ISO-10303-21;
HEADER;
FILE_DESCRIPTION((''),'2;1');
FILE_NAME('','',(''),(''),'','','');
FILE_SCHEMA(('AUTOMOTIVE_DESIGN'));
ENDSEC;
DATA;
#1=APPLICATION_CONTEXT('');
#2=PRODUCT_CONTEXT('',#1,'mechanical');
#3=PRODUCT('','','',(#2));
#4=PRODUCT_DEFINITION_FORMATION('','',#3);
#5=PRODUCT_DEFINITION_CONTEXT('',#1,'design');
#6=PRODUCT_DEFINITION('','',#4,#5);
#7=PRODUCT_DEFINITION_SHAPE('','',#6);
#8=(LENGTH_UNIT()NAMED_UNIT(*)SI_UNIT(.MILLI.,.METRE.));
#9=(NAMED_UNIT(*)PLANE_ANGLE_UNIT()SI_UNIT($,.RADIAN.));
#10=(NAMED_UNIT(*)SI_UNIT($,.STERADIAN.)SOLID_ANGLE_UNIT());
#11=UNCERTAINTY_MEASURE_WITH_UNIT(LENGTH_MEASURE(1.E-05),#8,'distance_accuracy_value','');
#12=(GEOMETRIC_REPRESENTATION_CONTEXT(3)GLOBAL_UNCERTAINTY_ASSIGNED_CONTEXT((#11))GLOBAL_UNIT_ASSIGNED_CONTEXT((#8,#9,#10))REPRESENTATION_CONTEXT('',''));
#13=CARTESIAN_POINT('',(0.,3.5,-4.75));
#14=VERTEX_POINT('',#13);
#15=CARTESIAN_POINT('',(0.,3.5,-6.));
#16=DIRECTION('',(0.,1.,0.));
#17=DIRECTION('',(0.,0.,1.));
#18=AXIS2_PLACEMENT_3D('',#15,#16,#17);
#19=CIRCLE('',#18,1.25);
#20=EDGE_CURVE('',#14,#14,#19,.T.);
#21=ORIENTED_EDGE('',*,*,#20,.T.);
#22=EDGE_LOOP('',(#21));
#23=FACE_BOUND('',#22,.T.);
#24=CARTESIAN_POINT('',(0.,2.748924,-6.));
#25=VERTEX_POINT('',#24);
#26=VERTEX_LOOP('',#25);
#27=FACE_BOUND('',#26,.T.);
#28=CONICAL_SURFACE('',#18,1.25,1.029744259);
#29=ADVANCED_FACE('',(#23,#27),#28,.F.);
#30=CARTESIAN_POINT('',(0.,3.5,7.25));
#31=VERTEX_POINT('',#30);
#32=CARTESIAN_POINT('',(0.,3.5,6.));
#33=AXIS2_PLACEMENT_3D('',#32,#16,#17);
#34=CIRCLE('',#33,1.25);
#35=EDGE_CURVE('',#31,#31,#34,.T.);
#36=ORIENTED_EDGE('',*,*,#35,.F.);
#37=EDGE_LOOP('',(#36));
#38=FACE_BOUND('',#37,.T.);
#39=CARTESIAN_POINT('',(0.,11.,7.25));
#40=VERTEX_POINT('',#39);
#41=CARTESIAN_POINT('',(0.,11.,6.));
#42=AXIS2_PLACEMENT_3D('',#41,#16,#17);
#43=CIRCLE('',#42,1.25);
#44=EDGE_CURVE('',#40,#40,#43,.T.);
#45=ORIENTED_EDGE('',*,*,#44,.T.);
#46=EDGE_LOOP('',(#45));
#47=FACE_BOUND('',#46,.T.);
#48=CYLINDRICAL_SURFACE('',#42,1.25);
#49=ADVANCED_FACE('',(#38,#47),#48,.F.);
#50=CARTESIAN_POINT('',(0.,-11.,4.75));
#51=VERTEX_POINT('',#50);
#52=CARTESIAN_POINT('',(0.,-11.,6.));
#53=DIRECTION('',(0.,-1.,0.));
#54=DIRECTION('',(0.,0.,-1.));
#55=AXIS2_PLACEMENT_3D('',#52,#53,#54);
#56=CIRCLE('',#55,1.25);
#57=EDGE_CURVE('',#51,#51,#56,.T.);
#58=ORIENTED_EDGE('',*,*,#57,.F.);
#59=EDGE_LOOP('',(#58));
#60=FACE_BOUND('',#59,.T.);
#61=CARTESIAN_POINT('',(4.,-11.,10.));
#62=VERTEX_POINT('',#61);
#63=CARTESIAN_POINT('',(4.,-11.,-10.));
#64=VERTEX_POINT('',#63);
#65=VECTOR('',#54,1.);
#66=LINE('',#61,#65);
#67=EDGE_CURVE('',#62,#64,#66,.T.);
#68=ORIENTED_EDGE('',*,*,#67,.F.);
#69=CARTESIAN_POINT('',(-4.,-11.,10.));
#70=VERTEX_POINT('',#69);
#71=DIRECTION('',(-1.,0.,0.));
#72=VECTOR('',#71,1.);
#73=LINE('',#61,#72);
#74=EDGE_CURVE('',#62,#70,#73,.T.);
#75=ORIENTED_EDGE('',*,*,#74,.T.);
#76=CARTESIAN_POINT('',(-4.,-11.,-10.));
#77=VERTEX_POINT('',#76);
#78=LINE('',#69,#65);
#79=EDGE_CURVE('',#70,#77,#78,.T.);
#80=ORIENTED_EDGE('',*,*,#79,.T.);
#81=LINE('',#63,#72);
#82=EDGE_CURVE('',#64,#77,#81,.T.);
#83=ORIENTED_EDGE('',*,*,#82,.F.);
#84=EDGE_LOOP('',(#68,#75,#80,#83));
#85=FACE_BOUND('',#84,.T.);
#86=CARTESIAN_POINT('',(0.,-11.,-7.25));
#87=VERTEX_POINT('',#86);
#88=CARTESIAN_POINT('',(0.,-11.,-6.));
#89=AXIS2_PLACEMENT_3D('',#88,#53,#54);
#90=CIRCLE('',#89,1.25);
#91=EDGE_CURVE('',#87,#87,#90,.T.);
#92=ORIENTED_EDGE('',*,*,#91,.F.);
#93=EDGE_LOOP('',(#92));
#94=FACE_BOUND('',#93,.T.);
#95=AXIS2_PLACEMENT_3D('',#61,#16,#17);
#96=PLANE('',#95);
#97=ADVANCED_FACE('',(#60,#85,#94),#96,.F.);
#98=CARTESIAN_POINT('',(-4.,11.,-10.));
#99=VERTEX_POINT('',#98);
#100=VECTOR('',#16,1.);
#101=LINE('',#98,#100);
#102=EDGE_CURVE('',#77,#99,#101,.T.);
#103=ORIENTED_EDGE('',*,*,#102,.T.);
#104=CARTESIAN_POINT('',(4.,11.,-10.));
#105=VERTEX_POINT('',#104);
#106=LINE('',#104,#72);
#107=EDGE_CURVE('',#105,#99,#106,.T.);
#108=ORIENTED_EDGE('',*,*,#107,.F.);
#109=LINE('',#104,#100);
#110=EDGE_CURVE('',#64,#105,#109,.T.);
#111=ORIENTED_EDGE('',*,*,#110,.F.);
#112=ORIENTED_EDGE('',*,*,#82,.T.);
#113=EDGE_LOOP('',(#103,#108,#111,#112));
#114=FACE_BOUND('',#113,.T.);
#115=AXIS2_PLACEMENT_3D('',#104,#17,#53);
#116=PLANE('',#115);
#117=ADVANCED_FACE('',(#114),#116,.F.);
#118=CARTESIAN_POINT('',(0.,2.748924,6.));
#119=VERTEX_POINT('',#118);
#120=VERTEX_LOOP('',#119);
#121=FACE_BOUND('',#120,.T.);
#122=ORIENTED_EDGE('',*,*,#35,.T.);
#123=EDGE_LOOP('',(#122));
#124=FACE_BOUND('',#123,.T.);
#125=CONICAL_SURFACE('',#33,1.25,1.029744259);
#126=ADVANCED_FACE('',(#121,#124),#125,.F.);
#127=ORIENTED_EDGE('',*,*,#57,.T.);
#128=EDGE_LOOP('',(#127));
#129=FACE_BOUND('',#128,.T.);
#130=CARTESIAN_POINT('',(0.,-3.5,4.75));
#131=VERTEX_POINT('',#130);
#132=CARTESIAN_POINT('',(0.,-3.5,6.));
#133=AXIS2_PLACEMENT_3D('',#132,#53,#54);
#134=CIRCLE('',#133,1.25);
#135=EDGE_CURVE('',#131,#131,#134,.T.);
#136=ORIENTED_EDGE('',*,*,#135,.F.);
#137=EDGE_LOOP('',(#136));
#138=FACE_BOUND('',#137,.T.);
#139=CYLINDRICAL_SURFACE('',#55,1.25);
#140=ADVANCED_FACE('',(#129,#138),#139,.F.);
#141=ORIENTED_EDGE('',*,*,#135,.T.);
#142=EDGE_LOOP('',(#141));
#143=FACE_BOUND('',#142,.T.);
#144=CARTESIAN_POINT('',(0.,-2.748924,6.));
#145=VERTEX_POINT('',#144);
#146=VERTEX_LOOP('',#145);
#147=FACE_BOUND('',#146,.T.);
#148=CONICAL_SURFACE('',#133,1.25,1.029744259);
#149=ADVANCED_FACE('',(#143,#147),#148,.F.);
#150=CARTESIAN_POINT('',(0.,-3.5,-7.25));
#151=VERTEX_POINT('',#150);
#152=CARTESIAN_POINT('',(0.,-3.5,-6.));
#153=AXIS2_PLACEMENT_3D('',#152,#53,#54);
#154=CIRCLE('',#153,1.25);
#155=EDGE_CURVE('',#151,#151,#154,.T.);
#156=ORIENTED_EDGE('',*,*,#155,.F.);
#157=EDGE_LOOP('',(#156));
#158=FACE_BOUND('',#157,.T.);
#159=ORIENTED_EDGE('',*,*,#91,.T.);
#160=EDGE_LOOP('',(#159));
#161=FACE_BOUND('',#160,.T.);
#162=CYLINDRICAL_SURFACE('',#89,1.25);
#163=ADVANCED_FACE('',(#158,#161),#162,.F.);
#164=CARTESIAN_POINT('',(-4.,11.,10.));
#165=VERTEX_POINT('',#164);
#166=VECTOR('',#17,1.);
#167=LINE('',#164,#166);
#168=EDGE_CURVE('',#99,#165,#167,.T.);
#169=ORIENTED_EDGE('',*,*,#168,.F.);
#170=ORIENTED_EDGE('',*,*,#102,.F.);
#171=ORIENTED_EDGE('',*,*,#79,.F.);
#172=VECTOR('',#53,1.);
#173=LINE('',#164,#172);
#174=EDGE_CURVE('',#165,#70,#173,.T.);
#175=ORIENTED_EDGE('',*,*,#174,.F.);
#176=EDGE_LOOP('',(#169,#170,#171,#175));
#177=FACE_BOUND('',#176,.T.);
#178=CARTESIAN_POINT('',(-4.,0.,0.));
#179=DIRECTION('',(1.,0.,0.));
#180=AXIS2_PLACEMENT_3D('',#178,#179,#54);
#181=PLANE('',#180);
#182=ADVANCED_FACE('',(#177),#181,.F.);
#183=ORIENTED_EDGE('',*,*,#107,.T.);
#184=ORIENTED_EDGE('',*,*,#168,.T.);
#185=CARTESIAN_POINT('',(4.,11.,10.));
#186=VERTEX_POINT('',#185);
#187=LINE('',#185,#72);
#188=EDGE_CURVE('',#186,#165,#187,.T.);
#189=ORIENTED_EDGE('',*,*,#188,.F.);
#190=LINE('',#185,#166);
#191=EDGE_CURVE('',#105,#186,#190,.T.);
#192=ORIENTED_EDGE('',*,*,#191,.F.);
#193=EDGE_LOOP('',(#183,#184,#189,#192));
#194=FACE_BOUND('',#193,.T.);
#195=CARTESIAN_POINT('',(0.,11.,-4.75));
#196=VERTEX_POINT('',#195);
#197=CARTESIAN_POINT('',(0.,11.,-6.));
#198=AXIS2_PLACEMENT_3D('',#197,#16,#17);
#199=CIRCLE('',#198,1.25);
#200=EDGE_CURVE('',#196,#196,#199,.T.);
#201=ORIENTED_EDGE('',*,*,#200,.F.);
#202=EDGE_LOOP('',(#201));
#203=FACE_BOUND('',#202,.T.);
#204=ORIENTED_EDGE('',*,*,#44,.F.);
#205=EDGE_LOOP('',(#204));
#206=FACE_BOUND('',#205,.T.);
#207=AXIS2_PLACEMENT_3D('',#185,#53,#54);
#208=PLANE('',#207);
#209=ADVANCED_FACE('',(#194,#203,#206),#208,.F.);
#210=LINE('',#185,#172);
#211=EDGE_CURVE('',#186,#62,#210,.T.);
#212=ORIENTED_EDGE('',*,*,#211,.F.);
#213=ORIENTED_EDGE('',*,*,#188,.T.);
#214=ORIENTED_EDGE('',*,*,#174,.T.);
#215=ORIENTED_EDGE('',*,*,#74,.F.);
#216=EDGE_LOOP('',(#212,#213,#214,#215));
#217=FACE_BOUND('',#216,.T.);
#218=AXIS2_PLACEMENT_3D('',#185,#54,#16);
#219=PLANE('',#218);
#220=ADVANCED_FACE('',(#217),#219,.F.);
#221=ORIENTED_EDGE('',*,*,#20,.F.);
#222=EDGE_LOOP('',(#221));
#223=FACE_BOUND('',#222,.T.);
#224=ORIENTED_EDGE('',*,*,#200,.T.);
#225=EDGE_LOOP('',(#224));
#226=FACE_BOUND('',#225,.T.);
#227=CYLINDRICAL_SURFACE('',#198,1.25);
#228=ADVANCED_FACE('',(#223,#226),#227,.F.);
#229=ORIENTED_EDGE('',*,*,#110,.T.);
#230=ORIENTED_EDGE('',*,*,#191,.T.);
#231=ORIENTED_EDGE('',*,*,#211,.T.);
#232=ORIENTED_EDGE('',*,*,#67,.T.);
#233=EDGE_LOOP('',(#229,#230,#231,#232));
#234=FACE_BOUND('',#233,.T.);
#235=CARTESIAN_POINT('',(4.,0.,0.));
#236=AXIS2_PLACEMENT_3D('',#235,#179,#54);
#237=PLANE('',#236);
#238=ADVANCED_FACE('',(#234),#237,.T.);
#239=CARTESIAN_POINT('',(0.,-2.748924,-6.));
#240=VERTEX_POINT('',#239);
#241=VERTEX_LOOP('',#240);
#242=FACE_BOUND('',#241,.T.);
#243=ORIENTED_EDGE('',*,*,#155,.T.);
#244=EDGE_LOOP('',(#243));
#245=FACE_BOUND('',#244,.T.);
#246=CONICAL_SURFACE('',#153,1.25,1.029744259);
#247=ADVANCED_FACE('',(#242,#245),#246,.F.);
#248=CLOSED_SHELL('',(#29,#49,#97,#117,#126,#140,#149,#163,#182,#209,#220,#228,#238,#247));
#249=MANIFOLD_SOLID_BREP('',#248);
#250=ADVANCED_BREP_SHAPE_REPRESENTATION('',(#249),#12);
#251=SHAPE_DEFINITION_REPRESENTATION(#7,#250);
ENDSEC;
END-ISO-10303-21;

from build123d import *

# Parameters (mm, degrees)
SKETCH1_W                 = 20
SKETCH1_H                 = 22
BOSS_EXTRUDE1_DEPTH       = 4
M3X0_5_TAPPED_HOLE1_D     = 2.5
M3X0_5_TAPPED_HOLE1_DEPTH = 7.5
M3X0_5_TAPPED_HOLE1_TIP   = 0.751075774
M3X0_5_TAPPED_HOLE2_D     = 2.5
M3X0_5_TAPPED_HOLE2_DEPTH = 7.5
M3X0_5_TAPPED_HOLE2_TIP   = 0.751075774


with BuildPart() as part:
    # Sketch1 → Boss-Extrude1 (new body, symmetric)
    with BuildSketch(Plane(origin=(0, 0, 0), x_dir=(0, 0, -1), z_dir=(1, 0, 0))):
        Rectangle(SKETCH1_W, SKETCH1_H)
    extrude(amount=BOSS_EXTRUDE1_DEPTH, both=True)

    # M3x0.5 Tapped Hole1
    with Locations(Plane(origin=(0, 11, 0), x_dir=(1, 0, 0), z_dir=(0, 1, 0))):
        with Locations((0, 6), (0, -6)):
            Hole(M3X0_5_TAPPED_HOLE1_D / 2, depth=M3X0_5_TAPPED_HOLE1_DEPTH)
            with Locations((0, 0, -(M3X0_5_TAPPED_HOLE1_DEPTH + M3X0_5_TAPPED_HOLE1_TIP / 2))):  # 118° drill point
                Cone(0, M3X0_5_TAPPED_HOLE1_D / 2, M3X0_5_TAPPED_HOLE1_TIP, mode=Mode.SUBTRACT)

    # M3x0.5 Tapped Hole2
    with Locations(Plane(origin=(0, -11, 0), x_dir=(-1, 0, 0), z_dir=(0, -1, 0))):
        with Locations((0, -6), (0, 6)):
            Hole(M3X0_5_TAPPED_HOLE2_D / 2, depth=M3X0_5_TAPPED_HOLE2_DEPTH)
            with Locations((0, 0, -(M3X0_5_TAPPED_HOLE2_DEPTH + M3X0_5_TAPPED_HOLE2_TIP / 2))):  # 118° drill point
                Cone(0, M3X0_5_TAPPED_HOLE2_D / 2, M3X0_5_TAPPED_HOLE2_TIP, mode=Mode.SUBTRACT)


solid = part.part
